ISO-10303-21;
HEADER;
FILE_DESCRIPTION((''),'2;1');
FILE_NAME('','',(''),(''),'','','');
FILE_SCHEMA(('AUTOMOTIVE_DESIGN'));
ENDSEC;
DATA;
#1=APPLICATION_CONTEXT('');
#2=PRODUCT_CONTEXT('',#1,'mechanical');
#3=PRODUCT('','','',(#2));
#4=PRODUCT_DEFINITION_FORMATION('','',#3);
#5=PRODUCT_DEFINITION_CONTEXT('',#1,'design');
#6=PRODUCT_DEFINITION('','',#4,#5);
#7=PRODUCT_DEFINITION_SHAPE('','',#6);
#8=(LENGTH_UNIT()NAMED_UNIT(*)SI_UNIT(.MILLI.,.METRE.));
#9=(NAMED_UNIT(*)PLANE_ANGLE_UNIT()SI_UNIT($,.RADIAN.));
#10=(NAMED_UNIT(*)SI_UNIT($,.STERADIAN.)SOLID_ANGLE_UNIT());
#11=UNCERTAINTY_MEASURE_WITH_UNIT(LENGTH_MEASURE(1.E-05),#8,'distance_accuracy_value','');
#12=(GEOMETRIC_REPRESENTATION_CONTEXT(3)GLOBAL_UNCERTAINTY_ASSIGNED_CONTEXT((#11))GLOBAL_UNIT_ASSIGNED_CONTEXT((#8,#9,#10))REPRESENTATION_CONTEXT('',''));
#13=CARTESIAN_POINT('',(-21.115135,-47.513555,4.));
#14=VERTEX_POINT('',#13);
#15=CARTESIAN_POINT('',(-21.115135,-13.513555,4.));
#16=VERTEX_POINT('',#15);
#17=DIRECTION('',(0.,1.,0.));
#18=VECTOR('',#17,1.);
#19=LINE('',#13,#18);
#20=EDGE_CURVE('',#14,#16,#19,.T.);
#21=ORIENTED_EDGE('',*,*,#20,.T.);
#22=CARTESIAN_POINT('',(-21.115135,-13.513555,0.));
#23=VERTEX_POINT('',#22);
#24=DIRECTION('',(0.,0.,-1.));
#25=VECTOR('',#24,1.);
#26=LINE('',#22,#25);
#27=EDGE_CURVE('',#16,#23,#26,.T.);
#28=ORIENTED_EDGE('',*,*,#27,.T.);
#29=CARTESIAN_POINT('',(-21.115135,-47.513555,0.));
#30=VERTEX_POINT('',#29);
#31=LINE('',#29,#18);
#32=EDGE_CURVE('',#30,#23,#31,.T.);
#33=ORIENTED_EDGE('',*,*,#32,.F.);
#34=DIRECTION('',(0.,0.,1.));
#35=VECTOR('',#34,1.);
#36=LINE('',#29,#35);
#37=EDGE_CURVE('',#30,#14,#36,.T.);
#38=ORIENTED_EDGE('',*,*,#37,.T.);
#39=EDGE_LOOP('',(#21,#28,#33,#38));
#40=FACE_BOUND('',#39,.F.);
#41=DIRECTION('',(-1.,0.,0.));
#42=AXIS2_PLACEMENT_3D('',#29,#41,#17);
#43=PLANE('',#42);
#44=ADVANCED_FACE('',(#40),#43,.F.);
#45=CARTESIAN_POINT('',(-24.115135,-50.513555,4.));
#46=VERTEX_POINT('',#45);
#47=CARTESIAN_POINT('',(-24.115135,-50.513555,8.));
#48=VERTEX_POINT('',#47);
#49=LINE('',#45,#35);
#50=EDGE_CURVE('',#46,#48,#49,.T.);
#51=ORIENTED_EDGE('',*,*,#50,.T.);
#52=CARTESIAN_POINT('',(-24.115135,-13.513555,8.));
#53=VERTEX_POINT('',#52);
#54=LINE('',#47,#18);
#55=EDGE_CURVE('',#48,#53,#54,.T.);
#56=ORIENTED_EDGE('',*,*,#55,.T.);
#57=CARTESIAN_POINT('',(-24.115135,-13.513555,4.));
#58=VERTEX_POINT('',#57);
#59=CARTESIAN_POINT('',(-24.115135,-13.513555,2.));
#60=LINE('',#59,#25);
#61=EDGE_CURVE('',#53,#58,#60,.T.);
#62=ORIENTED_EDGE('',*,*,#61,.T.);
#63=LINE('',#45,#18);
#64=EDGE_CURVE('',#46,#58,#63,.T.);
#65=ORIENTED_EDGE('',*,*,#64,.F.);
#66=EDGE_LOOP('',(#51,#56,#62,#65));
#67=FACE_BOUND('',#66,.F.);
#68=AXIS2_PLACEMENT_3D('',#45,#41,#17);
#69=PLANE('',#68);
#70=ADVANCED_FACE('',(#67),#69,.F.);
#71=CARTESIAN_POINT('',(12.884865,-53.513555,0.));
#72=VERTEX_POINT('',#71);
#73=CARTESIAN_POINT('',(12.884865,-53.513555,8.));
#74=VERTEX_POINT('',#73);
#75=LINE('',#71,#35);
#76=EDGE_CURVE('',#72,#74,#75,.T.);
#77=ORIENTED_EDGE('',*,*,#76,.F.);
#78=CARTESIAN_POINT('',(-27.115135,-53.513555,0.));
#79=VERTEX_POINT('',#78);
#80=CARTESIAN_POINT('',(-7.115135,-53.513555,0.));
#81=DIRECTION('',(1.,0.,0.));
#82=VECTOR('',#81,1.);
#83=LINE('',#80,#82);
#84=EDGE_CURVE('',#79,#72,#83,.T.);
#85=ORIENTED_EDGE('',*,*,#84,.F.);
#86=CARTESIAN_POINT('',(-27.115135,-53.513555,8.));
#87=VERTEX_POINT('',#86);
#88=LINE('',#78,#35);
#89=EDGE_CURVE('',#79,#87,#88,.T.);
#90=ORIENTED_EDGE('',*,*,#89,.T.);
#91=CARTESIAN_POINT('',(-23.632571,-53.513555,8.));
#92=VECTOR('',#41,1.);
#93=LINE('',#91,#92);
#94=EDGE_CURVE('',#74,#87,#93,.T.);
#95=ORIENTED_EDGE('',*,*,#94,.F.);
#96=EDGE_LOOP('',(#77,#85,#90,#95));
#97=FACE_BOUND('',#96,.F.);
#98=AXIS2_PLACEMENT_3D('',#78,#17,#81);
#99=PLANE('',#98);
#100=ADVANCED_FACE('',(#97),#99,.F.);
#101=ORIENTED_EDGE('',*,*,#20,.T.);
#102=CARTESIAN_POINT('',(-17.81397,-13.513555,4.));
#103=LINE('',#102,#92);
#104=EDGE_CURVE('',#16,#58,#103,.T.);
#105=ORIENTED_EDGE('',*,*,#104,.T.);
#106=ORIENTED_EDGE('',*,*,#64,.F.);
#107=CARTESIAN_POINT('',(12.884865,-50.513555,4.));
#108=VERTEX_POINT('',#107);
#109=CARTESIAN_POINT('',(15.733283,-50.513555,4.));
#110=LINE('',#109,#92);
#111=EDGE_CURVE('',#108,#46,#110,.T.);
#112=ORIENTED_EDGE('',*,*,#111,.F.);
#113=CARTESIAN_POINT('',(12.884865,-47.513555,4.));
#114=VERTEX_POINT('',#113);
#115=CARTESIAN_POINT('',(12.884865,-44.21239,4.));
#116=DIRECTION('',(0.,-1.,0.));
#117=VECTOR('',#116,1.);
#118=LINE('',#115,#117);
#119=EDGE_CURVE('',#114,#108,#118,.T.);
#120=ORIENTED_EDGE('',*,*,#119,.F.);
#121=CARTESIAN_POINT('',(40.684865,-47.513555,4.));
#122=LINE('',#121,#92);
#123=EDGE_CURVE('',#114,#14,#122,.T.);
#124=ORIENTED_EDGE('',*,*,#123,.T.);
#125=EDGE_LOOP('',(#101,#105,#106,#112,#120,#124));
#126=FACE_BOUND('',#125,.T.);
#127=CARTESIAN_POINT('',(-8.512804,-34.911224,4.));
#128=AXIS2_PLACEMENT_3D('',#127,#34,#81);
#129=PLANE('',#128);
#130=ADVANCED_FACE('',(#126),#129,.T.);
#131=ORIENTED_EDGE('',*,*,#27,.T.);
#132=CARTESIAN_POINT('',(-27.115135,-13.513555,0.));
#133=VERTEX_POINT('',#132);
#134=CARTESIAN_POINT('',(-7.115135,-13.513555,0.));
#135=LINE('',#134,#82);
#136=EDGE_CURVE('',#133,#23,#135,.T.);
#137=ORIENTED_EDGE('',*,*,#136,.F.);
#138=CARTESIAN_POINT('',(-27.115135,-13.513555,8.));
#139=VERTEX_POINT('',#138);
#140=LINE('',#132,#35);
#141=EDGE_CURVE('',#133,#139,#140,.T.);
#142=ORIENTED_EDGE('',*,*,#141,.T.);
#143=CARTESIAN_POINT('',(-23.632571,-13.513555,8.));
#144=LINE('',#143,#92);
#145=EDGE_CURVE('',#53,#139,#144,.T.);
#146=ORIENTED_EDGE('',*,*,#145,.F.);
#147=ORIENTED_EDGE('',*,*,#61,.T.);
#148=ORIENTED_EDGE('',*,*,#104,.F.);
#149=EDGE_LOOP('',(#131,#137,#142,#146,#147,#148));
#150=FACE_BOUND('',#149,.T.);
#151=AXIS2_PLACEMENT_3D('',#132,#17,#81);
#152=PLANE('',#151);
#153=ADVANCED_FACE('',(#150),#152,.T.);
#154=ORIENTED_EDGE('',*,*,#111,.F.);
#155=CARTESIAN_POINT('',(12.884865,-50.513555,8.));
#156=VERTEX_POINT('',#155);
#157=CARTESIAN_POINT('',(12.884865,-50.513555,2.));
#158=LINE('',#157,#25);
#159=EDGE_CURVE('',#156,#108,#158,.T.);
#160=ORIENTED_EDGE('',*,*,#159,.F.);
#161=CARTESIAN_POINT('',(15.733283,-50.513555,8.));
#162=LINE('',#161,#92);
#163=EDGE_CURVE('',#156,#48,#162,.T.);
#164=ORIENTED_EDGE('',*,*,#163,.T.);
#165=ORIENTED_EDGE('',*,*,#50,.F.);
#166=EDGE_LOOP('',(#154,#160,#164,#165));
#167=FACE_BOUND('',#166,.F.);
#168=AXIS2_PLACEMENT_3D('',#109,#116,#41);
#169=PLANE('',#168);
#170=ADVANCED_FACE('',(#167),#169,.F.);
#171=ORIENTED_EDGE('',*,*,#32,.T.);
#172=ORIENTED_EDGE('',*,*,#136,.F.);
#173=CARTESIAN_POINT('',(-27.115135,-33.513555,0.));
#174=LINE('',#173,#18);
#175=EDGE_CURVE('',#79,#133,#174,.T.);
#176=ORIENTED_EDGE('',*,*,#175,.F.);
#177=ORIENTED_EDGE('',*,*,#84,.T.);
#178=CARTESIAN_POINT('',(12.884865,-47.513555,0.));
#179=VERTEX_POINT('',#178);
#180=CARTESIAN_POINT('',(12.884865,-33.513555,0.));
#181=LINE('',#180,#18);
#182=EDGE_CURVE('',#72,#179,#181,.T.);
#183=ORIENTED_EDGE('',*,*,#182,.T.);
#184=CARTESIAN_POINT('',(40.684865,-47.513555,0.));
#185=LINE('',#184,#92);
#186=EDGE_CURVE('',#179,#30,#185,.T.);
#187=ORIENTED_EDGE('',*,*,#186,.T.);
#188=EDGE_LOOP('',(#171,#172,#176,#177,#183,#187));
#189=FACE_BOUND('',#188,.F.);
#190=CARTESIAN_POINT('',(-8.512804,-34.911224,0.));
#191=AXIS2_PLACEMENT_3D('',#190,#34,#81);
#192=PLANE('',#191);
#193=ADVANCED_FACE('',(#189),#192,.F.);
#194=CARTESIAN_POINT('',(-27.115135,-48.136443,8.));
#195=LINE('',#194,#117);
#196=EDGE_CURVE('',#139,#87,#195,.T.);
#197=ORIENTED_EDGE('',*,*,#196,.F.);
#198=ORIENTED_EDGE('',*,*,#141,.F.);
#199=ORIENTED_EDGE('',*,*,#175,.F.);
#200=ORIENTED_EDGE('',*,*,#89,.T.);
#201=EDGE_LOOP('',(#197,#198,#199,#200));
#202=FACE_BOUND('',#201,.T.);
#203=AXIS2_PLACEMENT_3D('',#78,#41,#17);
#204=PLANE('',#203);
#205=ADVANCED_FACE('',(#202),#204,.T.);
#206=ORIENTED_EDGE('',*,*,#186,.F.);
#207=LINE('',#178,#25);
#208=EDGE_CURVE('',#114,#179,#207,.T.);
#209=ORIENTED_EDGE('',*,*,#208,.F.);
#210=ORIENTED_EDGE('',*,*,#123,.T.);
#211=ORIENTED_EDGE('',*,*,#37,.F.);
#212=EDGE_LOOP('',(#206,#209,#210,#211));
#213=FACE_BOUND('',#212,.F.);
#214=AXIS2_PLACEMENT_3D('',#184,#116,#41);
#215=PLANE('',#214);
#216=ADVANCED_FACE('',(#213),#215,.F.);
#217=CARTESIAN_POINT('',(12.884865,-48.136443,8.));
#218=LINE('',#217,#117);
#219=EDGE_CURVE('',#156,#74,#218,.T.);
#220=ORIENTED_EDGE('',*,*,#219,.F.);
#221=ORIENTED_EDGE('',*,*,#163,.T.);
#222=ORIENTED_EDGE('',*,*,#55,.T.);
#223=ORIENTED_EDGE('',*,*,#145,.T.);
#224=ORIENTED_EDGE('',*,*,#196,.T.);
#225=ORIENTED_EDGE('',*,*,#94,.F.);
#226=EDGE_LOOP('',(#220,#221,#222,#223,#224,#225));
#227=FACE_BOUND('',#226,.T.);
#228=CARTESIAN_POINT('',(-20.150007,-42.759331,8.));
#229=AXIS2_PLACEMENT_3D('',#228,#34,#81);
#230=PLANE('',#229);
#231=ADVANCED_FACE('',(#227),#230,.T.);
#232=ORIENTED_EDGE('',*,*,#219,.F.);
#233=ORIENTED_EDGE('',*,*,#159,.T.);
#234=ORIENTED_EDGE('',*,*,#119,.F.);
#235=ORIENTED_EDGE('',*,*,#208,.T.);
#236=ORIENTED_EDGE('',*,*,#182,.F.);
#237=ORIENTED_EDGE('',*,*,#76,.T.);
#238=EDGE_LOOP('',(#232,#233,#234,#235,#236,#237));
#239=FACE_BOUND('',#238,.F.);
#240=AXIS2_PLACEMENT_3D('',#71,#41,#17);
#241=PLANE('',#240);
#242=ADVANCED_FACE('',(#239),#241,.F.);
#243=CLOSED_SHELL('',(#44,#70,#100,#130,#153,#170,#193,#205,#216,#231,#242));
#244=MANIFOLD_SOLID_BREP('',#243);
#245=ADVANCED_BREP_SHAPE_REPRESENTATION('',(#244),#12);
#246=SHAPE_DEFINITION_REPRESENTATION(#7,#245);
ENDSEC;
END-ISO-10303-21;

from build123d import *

# Parameters (mm, degrees)
F2_DEPTH = 4
F4_DEPTH = 4
F5_W     = 129.927155
F5_H     = 119.906087
F5_W_2   = 40
F5_H_2   = 40
F6_DEPTH = 8.001


with BuildPart() as f2:
    # F1 (on Top) → F2 (new body)
    with BuildSketch(Plane.XY):
        Polygon((40.684865, -47.513555), (-21.115135, -47.513555), (-21.115135, 14.286445), (-40.215135, 33.386445), (-40.215135, -66.613555), (59.784865, -66.613555), align=None)
    extrude(amount=F2_DEPTH)

    # F3 (on face) → F4 (join)
    with BuildSketch(Plane.XY.offset(4)):
        Polygon((-24.115135, -3.086945), (-40.215135, -3.086945), (-40.215135, -66.613555), (15.733283, -66.613555), (15.733283, -50.513555), (-24.115135, -50.513555), align=None)
    extrude(amount=F4_DEPTH)

    # F5 (on Top) → F6 (cut, through all)
    with BuildSketch(Plane.XY):
        with Locations((8.65676, -20.336797)):
            Rectangle(F5_W, F5_H)
        with Locations((-7.115135, -33.513555)):
            Rectangle(F5_W_2, F5_H_2, mode=Mode.SUBTRACT)
    extrude(amount=F6_DEPTH, mode=Mode.SUBTRACT)


solid = f2.part
